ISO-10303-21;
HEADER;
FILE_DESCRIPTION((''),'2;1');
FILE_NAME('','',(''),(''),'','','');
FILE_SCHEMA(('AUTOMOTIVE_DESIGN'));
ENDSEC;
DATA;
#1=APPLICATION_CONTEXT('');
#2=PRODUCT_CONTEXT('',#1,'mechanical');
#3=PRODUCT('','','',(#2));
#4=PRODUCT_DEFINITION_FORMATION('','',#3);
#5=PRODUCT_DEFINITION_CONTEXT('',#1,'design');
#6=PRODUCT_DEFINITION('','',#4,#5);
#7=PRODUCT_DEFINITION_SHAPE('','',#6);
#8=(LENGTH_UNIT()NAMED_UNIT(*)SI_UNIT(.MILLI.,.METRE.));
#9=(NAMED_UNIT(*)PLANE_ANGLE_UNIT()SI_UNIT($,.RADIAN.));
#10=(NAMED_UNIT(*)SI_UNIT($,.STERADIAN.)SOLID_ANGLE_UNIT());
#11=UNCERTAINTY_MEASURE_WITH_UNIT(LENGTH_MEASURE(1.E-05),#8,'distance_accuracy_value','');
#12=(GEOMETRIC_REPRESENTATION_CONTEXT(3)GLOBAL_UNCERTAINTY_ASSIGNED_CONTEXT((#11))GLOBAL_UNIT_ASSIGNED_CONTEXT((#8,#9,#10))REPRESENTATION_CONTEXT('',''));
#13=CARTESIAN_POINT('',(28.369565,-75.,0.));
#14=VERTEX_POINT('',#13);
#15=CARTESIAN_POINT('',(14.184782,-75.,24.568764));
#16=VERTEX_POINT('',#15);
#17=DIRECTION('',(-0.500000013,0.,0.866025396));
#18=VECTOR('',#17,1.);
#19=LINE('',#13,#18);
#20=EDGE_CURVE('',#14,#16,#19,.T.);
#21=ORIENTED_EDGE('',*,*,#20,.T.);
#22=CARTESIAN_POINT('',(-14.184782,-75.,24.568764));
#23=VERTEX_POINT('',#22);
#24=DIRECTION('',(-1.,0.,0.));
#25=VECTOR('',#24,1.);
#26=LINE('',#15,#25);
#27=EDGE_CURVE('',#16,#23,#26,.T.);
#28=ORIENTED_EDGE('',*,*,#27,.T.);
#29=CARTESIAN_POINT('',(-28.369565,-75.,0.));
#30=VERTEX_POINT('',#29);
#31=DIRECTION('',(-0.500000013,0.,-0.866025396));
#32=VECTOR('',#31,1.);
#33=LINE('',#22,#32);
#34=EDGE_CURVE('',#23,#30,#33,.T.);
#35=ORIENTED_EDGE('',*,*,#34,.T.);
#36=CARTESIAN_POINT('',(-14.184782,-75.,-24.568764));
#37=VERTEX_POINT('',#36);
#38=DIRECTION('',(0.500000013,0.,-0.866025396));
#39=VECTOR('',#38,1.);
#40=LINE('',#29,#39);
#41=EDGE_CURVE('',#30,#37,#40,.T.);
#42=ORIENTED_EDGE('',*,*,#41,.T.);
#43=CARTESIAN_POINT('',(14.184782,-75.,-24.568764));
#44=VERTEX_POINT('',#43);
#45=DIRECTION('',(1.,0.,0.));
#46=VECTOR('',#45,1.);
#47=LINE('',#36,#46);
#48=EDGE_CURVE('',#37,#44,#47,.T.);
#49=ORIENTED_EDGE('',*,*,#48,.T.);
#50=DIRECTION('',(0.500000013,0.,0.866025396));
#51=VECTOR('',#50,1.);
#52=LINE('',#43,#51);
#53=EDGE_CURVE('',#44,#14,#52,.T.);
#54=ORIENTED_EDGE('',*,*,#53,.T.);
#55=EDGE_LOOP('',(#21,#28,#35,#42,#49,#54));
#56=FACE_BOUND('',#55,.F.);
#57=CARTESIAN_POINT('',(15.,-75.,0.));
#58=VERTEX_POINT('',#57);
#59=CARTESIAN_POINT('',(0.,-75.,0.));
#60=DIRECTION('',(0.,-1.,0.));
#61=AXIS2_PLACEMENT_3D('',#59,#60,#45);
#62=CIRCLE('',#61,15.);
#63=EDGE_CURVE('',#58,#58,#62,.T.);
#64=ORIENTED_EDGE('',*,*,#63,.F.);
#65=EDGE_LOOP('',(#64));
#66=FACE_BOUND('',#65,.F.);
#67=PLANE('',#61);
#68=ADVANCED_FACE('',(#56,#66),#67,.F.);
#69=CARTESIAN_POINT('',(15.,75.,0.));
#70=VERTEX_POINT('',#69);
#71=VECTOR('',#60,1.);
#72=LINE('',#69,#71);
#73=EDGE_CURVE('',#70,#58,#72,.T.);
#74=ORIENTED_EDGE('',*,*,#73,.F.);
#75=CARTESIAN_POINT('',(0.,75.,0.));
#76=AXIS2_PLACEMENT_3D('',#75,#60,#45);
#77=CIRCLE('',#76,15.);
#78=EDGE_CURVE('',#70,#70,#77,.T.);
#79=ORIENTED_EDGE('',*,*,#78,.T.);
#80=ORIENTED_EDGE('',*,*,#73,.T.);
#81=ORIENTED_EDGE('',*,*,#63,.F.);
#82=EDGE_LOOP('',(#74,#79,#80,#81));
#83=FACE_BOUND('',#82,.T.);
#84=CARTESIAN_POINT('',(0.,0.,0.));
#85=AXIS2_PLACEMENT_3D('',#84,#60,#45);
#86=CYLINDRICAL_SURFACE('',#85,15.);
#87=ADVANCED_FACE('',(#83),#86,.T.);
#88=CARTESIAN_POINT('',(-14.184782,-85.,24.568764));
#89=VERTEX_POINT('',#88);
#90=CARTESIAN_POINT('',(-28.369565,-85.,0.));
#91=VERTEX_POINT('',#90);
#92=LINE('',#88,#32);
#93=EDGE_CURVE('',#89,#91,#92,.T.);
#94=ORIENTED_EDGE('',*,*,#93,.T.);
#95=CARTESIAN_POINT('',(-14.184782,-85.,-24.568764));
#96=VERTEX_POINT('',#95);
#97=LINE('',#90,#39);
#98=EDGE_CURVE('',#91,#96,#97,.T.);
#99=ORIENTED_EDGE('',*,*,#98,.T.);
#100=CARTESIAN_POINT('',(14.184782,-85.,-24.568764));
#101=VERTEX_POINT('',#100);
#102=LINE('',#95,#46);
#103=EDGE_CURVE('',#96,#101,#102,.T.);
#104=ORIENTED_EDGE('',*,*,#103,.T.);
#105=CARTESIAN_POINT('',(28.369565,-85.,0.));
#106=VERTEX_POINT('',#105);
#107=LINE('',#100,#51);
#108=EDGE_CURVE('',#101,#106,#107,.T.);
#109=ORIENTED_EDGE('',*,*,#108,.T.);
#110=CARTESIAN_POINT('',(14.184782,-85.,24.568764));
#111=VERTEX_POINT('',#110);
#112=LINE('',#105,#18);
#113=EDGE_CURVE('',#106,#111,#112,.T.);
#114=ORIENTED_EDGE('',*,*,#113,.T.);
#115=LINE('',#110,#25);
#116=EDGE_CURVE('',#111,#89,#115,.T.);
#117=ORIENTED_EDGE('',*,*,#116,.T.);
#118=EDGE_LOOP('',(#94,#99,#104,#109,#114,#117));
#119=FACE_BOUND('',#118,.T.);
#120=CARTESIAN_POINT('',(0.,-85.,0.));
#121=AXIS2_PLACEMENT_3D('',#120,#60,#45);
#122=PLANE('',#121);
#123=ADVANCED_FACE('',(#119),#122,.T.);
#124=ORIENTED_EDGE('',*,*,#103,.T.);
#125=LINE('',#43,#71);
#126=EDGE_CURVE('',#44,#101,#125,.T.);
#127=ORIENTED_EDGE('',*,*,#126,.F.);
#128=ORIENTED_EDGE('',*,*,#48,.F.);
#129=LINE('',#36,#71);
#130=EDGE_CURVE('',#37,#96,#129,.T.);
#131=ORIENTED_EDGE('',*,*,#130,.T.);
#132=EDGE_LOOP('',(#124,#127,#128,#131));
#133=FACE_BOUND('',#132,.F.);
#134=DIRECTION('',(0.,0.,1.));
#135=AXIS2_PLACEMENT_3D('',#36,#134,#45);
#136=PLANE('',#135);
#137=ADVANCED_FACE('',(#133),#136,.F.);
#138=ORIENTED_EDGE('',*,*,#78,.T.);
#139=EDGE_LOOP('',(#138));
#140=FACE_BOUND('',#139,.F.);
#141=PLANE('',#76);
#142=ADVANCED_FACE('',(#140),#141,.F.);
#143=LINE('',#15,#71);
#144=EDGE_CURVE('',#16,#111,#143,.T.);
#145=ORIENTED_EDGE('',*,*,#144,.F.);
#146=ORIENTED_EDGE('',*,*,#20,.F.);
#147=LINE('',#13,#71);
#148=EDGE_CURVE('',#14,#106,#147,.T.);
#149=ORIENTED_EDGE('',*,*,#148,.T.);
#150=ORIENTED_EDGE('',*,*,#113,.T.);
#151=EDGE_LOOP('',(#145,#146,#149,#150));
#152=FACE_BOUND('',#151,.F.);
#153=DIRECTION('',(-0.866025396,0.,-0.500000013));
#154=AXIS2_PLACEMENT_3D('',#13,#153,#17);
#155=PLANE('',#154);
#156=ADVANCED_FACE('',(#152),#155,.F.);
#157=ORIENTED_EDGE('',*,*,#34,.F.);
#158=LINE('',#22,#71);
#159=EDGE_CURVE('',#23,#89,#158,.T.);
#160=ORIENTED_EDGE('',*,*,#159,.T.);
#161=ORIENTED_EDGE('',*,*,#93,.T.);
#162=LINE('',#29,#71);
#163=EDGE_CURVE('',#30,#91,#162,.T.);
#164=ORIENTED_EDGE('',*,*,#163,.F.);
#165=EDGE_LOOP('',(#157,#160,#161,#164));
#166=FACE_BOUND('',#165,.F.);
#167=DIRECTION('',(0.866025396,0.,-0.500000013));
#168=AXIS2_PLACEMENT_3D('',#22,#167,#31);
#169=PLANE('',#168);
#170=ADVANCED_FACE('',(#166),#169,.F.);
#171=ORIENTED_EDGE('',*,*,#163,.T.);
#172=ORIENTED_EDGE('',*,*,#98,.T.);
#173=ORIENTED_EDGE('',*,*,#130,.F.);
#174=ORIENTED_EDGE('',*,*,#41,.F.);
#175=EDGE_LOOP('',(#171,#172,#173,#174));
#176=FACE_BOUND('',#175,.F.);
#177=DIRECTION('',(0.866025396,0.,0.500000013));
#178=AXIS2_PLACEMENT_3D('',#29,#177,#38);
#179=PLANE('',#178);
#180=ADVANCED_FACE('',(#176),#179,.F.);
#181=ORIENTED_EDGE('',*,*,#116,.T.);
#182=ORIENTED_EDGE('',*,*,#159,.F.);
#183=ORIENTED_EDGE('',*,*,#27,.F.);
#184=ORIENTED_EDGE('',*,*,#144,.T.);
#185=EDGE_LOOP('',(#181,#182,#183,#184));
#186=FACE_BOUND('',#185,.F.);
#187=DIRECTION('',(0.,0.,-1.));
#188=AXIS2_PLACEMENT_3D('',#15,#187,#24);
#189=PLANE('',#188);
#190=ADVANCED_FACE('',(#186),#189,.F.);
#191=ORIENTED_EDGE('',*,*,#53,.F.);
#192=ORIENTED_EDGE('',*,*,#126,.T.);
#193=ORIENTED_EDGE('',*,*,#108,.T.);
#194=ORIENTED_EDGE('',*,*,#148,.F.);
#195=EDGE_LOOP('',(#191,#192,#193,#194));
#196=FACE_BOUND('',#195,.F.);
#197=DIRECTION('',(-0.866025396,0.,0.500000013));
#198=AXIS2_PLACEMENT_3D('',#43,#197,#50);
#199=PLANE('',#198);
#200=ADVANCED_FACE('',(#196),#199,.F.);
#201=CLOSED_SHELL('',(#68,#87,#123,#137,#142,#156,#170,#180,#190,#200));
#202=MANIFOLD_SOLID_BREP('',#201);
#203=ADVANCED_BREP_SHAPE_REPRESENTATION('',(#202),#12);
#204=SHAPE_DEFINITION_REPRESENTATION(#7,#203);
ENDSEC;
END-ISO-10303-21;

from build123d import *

# Parameters (mm, degrees)
F0_R     = 15
F1_DEPTH = 75
F3_DEPTH = 10


with BuildPart() as f1:
    # F0 (on Front) → F1 (new body, symmetric)
    with BuildSketch(Plane.XZ):
        Circle(F0_R)
    extrude(amount=F1_DEPTH, both=True)

    # F2 (on face) → F3 (join)
    with BuildSketch(Plane.XZ.offset(75)):
        Polygon((28.369565, 0), (14.184782, 24.568764), (-14.184782, 24.568764), (-28.369565, 0), (-14.184782, -24.568764), (14.184782, -24.568764), align=None)
    extrude(amount=F3_DEPTH)


solid = f1.part
